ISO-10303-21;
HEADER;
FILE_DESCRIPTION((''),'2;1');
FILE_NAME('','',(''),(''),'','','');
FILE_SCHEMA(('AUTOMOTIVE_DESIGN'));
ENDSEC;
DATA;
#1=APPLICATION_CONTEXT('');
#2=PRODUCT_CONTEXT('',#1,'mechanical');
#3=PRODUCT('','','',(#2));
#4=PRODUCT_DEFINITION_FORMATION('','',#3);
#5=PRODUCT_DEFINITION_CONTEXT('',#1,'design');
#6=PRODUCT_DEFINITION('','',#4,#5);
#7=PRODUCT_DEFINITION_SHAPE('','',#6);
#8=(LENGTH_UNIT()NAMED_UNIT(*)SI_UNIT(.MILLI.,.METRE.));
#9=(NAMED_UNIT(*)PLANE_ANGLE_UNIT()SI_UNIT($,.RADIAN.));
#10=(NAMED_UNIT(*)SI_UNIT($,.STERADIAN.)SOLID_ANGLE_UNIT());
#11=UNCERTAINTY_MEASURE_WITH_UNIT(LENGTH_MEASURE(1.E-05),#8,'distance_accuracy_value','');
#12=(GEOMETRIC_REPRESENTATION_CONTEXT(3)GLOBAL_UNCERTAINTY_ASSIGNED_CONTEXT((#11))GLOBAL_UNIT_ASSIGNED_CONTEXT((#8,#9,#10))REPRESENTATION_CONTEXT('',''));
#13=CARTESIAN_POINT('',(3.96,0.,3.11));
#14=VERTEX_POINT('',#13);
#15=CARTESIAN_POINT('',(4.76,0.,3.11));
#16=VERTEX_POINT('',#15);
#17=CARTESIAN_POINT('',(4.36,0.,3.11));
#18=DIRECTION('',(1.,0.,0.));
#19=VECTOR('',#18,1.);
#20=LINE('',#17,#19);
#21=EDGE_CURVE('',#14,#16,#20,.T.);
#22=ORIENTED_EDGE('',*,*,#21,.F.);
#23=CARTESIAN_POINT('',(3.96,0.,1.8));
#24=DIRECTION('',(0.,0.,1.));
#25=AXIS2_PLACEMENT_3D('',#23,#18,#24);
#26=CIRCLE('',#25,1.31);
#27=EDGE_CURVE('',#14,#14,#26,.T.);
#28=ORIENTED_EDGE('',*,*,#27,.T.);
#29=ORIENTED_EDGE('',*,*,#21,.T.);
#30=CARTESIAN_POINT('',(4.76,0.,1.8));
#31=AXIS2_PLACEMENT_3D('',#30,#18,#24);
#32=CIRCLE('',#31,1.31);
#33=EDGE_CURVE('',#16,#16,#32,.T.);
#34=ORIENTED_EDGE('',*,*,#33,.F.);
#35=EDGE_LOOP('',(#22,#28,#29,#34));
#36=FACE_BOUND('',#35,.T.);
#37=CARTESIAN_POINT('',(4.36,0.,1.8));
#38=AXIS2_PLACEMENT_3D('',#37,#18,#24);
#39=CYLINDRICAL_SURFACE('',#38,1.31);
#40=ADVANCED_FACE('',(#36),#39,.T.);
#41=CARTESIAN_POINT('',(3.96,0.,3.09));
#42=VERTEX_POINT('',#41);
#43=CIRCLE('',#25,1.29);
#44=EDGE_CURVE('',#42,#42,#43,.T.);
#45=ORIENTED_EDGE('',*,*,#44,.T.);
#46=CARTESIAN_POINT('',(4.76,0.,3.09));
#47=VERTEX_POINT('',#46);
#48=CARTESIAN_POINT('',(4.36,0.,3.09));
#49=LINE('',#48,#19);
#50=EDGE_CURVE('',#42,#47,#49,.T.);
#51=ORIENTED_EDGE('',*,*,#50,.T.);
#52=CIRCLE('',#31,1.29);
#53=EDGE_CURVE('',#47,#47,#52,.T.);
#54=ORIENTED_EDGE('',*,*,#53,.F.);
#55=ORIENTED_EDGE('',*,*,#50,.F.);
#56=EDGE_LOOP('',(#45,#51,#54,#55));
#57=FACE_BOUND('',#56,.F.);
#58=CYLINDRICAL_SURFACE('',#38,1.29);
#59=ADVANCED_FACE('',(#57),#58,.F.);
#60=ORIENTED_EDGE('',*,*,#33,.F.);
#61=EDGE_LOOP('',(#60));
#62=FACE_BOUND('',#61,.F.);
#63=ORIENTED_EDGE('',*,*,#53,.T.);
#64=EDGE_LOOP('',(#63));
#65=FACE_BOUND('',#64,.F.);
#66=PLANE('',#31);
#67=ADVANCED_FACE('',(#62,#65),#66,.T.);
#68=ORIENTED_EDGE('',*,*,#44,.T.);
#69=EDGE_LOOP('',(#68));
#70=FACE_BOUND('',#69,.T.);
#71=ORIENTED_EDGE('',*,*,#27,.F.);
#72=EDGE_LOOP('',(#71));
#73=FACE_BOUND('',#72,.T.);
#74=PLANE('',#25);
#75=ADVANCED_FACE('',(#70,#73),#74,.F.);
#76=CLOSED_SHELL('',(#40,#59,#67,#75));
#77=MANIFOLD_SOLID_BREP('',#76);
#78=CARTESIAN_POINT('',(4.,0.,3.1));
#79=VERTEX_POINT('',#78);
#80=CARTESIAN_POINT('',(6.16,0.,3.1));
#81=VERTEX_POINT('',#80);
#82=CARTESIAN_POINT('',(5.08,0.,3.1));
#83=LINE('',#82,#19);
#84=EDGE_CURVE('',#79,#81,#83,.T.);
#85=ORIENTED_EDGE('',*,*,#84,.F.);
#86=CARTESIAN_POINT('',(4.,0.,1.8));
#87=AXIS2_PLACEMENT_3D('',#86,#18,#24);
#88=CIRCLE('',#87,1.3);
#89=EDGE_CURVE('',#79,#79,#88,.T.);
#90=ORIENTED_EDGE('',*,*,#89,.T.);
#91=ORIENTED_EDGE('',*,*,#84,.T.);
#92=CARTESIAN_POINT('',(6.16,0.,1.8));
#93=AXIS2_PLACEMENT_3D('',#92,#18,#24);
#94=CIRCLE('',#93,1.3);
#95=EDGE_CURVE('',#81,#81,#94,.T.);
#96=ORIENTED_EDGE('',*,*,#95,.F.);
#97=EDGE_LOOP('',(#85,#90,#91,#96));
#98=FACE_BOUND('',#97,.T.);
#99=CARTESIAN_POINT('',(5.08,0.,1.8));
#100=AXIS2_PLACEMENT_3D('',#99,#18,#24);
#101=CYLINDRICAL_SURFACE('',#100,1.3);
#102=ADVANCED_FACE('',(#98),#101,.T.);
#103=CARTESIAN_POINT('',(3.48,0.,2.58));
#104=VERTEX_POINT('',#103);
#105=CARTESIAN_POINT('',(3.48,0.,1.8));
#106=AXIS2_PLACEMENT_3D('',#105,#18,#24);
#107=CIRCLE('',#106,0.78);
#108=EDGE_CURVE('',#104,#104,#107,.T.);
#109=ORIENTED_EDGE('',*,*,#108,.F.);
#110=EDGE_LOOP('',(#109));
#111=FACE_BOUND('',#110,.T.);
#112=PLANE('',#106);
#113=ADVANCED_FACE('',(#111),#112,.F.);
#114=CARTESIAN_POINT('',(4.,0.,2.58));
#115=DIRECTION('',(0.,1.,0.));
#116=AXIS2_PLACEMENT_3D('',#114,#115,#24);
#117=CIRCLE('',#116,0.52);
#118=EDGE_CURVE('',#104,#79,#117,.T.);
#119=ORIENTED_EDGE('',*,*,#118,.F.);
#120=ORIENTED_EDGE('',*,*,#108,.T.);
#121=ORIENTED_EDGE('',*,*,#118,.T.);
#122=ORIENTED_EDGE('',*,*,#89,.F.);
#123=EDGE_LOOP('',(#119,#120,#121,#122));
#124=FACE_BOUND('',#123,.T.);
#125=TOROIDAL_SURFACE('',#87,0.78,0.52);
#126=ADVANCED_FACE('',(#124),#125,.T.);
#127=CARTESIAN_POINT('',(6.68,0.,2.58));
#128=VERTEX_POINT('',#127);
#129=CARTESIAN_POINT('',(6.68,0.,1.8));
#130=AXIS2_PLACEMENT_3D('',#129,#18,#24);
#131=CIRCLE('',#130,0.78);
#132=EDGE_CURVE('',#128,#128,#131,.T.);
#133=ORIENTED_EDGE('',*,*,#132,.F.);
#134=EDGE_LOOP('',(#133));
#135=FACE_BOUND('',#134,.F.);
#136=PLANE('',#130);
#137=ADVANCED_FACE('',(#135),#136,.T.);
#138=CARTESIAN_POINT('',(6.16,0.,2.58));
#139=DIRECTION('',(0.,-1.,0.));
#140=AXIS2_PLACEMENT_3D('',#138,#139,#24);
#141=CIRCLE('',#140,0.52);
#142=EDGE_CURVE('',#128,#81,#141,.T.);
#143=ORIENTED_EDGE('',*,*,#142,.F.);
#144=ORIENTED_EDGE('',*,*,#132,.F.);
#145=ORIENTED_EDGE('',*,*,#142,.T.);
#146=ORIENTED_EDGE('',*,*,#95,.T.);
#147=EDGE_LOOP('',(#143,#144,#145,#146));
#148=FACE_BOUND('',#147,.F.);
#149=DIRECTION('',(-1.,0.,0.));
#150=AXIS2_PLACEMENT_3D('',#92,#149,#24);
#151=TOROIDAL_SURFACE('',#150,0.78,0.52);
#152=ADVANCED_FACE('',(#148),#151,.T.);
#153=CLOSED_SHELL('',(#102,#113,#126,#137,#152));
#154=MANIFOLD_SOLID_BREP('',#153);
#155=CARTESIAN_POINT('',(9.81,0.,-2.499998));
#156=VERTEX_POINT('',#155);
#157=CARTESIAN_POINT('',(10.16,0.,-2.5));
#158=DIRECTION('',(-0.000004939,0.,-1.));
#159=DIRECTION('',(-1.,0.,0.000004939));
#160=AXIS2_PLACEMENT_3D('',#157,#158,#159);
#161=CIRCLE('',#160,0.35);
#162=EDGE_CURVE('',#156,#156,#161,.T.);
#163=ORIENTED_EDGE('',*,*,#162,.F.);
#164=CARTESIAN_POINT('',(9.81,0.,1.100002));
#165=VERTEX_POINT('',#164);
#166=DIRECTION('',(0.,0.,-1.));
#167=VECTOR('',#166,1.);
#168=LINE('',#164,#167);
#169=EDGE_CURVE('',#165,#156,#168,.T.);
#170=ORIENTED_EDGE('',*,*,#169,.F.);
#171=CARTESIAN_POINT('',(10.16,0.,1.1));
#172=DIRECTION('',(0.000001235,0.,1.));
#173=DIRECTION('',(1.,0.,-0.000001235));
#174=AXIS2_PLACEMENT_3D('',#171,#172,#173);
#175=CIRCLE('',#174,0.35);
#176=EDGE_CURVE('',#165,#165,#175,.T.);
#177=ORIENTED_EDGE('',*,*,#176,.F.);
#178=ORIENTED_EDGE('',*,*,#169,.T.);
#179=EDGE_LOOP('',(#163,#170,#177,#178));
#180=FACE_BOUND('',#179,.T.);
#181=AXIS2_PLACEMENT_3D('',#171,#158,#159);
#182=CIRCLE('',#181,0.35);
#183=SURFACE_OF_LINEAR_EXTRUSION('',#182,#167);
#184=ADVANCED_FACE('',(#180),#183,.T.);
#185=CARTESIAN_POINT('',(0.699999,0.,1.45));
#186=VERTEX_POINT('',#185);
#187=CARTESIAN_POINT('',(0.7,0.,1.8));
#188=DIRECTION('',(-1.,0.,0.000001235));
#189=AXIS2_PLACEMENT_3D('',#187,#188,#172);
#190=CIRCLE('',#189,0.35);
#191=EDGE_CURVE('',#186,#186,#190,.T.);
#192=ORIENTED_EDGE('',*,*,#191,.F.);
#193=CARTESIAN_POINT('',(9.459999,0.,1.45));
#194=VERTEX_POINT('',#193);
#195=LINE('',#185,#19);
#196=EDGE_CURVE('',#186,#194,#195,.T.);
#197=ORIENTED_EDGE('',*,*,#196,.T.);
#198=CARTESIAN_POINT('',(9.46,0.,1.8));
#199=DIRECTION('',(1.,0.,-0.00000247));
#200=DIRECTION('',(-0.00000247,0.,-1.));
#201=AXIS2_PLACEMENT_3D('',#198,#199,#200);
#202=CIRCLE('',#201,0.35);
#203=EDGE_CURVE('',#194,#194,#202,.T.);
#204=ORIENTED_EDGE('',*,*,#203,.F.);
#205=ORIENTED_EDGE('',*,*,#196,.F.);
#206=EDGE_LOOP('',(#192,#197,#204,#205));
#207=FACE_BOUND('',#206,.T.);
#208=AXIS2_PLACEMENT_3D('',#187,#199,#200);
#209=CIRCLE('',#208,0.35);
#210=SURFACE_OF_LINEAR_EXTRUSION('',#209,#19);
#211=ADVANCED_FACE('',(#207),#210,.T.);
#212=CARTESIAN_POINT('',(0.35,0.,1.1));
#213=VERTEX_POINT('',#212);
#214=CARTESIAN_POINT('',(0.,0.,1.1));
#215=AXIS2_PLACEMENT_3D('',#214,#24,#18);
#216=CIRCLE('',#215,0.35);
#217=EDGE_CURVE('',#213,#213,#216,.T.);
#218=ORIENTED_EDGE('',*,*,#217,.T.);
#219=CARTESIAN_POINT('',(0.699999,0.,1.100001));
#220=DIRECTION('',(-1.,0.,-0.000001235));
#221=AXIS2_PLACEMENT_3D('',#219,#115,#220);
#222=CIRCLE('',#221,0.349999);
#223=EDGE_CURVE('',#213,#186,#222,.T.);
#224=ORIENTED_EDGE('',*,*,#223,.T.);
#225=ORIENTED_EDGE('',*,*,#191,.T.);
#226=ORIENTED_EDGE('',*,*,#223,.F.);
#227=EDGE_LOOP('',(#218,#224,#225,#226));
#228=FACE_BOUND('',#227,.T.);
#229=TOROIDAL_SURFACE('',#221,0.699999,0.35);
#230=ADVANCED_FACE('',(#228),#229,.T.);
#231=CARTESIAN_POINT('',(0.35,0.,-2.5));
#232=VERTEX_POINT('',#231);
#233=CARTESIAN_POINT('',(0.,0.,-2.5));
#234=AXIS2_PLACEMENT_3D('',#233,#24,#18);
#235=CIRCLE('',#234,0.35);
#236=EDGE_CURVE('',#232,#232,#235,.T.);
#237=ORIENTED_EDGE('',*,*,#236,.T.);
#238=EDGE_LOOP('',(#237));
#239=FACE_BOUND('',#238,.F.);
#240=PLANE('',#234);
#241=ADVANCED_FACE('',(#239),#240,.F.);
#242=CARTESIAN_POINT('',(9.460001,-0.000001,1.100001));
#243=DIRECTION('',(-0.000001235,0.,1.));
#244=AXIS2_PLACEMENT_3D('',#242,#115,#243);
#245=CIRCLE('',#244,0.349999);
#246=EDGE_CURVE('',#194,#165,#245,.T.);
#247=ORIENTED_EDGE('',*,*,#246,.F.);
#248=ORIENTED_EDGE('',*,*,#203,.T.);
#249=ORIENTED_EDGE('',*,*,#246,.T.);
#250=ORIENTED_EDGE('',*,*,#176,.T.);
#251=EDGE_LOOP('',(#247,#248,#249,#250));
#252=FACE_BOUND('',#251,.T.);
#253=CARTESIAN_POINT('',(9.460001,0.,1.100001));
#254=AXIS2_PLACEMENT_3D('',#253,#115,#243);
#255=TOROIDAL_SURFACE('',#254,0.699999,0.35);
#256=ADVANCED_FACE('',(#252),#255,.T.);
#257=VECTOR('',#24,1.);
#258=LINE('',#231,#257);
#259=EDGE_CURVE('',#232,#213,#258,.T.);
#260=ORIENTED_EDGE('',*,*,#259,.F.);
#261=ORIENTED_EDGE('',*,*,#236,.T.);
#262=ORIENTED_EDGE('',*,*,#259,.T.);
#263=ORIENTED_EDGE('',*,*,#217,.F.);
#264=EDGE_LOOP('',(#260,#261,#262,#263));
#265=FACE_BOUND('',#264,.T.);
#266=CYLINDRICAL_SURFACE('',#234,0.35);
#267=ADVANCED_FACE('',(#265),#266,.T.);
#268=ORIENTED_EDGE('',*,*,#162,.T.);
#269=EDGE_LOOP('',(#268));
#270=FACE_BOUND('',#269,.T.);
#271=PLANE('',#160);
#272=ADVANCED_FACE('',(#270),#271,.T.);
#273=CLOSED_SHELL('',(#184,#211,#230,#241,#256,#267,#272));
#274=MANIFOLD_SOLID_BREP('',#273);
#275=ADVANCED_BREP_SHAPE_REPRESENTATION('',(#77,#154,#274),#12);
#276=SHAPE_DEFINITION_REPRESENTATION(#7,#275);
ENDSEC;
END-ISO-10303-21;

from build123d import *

# Parameters (mm, degrees)
SKETCH002_W = 3.2
SKETCH002_H = 1.3
FILLET_R    = 0.52
SKETCH003_W = 0.8
SKETCH003_H = 0.02
SKETCH_R    = 0.35


with BuildPart() as fillet_body:
    # Sketch002 → Revolution (revolve)
    with BuildSketch(Plane.XZ):
        with Locations((5.08, 2.45)):
            Rectangle(SKETCH002_W, SKETCH002_H)
    revolve(axis=Axis((3.48, 0, 1.8), (1, 0, 0)))

    # Fillet
    fillet_edges = [fillet_body.edges().sort_by_distance(p)[0] for p in [
        (3.48, 0, 0.5),
        (6.68, 0, 0.5),
    ]]
    fillet(fillet_edges, radius=FILLET_R)


with BuildPart() as revolution001:
    # Sketch003 → Revolution001 (revolve)
    with BuildSketch(Plane.XZ):
        with Locations((4.36, 3.1)):
            Rectangle(SKETCH003_W, SKETCH003_H)
    revolve(axis=Axis((0, 0, 1.8), (1, 0, 0)))


with BuildPart() as sweep_body:
    # Sweep: sweep along a path in Sketch001
    with BuildLine(Plane.XZ) as sweep_path:
        Line((0, -2.5), (0, 1.1))
        ThreePointArc((0, 1.1), (0.205025, 1.594975), (0.7, 1.8))
        Line((0.7, 1.8), (9.46, 1.8))
        ThreePointArc((9.46, 1.8), (9.954975, 1.594975), (10.16, 1.1))
        Line((10.16, 1.1), (10.16, -2.5))
    # Sketch → Sweep (sweep)
    with BuildSketch(Plane.XY.offset(-2)):
        Circle(SKETCH_R)
    sweep(path=sweep_path.line)


solid = Compound([fillet_body.part, revolution001.part, sweep_body.part])
